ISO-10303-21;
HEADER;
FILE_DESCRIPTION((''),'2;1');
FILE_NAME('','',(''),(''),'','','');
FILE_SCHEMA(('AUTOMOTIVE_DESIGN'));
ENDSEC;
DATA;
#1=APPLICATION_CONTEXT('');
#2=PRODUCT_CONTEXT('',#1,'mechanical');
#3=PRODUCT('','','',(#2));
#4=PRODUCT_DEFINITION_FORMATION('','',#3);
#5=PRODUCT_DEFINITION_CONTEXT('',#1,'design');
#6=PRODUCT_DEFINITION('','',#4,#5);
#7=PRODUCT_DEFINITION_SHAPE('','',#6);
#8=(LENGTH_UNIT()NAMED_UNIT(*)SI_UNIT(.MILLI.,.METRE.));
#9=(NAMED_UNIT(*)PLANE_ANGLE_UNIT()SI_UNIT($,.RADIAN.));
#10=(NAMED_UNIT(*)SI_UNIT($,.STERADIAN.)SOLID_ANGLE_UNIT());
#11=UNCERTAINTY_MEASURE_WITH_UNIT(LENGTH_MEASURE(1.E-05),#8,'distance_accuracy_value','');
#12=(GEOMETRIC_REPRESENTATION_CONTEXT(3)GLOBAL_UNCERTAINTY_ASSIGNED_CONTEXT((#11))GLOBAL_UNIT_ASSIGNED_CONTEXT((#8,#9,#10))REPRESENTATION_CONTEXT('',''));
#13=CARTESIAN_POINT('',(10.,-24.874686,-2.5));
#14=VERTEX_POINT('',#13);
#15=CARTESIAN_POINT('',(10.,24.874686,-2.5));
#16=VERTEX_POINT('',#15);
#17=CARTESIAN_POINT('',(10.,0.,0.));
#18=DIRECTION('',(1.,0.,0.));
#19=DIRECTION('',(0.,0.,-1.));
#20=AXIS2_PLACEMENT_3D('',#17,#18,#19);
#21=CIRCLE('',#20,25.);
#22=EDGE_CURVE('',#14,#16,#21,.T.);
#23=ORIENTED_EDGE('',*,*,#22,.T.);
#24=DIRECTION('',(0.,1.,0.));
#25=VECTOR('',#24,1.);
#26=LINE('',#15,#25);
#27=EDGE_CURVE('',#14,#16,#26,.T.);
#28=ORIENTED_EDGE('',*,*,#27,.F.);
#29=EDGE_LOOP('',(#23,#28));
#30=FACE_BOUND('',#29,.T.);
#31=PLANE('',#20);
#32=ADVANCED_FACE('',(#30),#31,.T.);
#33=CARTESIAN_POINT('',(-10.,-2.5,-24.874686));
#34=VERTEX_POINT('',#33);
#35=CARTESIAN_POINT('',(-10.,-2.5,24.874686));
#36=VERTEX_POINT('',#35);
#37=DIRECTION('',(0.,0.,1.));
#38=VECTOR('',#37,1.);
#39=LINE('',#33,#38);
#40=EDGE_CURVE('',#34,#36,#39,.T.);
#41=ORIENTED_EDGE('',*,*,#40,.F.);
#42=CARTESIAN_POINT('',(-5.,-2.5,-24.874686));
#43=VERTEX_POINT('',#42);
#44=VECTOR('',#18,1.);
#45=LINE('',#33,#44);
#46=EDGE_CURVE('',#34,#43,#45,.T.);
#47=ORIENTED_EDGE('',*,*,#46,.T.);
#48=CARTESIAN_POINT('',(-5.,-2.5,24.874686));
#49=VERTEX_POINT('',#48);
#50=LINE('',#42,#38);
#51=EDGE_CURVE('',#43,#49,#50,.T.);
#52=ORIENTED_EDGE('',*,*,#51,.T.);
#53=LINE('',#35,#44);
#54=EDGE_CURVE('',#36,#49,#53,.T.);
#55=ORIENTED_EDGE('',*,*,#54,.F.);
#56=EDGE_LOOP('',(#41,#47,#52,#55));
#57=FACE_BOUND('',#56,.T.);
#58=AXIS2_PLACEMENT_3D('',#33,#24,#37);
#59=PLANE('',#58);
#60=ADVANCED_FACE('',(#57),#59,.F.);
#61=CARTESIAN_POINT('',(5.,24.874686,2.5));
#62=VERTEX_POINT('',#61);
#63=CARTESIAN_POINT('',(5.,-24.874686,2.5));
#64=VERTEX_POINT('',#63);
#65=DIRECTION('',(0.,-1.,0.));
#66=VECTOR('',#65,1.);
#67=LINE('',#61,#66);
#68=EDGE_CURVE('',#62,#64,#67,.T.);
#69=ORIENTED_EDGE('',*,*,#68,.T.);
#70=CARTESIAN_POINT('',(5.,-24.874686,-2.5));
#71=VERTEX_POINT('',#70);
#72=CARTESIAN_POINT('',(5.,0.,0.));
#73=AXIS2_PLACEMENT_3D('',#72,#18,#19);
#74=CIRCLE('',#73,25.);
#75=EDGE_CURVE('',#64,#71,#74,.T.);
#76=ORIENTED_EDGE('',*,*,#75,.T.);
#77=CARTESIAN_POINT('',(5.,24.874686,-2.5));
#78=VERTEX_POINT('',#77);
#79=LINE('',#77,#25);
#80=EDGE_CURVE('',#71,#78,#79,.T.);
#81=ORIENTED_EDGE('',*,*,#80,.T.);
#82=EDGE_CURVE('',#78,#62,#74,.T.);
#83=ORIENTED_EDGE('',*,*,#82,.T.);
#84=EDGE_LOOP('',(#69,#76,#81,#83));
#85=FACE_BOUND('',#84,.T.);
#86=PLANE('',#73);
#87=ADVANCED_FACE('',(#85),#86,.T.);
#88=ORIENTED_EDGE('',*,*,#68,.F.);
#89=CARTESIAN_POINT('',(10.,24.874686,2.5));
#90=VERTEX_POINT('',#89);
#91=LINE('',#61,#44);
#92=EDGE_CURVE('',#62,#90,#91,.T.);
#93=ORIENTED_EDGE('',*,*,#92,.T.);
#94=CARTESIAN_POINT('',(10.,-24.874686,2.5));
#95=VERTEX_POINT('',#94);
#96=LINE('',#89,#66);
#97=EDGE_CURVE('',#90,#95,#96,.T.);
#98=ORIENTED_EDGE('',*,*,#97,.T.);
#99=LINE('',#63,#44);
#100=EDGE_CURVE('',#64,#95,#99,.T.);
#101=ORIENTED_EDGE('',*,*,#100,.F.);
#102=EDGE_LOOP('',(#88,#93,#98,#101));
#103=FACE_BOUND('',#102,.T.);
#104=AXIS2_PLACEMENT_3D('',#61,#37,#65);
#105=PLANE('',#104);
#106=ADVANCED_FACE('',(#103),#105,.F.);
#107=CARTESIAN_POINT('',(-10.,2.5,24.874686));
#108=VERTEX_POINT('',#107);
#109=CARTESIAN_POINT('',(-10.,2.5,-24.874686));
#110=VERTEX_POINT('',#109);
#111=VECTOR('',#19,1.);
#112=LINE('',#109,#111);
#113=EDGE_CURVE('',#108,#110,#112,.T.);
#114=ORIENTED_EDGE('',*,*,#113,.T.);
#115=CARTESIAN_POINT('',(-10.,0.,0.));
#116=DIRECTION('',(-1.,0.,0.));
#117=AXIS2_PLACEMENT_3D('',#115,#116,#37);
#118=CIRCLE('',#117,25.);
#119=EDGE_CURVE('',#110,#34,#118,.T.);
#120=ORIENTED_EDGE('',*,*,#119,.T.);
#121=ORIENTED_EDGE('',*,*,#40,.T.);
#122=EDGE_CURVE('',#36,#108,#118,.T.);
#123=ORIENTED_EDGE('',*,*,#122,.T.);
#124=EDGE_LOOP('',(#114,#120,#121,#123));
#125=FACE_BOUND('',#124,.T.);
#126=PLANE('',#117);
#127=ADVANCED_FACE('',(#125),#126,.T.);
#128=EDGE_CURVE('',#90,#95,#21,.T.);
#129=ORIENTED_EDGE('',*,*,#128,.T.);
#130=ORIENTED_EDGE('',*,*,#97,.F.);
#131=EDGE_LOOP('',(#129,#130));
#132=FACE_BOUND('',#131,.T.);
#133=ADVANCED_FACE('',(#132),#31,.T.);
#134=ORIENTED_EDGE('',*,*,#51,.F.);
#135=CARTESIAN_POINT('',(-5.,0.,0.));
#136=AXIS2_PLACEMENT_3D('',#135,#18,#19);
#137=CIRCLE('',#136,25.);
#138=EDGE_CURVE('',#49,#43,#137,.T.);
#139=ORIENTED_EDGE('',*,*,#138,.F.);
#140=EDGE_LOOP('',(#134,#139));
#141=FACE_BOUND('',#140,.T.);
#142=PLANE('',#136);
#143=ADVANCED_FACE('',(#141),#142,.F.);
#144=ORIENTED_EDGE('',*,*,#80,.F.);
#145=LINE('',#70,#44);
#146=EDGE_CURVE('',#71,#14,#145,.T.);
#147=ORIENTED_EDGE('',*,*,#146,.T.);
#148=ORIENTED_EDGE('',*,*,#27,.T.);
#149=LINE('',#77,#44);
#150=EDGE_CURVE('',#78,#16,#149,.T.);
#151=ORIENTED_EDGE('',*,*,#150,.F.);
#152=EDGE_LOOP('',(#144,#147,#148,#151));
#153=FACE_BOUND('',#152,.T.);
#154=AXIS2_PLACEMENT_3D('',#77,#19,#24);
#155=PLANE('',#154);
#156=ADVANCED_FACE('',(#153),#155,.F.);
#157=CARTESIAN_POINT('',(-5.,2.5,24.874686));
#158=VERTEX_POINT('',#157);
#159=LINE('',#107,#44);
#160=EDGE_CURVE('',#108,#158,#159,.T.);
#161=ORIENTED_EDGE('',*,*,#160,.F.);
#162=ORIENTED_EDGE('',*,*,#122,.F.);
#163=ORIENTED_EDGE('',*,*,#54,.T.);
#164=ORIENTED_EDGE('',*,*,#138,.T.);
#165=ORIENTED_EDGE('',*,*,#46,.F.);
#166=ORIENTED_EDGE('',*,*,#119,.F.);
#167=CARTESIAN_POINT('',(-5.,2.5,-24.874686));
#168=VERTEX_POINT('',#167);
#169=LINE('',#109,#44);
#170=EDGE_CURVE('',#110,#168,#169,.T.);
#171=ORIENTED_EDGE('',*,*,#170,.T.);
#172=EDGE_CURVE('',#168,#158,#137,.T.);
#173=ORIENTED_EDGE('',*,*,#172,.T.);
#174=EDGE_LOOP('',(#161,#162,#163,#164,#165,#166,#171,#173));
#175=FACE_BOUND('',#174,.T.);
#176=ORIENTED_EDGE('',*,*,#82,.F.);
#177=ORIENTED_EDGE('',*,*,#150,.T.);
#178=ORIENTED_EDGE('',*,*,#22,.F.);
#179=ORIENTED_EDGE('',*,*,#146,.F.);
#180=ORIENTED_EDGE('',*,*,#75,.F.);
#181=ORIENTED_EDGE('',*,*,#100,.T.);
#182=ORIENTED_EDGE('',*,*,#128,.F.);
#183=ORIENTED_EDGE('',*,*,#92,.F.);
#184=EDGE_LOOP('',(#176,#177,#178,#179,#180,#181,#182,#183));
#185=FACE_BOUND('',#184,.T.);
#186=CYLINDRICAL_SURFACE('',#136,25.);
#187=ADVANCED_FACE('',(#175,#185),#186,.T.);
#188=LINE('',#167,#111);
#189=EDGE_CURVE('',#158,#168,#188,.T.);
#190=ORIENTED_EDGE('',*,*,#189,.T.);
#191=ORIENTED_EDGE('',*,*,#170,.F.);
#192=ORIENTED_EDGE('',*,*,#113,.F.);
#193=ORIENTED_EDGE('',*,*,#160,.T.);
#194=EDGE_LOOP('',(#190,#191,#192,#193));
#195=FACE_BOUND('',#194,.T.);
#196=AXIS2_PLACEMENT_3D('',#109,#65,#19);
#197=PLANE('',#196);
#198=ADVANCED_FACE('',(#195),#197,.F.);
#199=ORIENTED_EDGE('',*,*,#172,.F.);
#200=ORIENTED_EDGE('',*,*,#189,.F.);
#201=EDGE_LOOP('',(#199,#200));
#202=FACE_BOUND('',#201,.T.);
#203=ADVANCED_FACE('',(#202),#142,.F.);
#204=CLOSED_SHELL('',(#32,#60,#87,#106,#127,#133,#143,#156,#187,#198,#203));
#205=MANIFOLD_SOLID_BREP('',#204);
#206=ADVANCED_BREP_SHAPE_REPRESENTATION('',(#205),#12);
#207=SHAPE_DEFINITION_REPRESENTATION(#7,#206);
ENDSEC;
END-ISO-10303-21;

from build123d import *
from build123d.topology import SkipClean

# Parameters (mm, degrees)
BOSS_EXTRUDE1_DEPTH      = 10
BOSS_EXTRUDE1_DEPTH_BACK = 5
SKETCH1_R                = 25
CUT_EXTRUDE1_DEPTH       = 5
BOSS_EXTRUDE2_DEPTH      = 5


with BuildPart() as part:
    # Sketch1 → Boss-Extrude1 (new, two sides: drawn at the far end of the back side and taken through both)
    with BuildSketch(Plane(origin=(0, 0, 0), x_dir=(0, 0, -1), z_dir=(1, 0, 0)).offset(-BOSS_EXTRUDE1_DEPTH_BACK)):
        Circle(SKETCH1_R)
    extrude(amount=BOSS_EXTRUDE1_DEPTH + BOSS_EXTRUDE1_DEPTH_BACK)

    # Sketch2 → Cut-Extrude1 (cut)
    with BuildSketch(Plane(origin=(10, 0, 0), x_dir=(0, 0, -1), z_dir=(1, 0, 0))):
        with BuildLine():
            Line((2.5, 24.874685928), (2.5, -24.874685928))
            ThreePointArc((2.5, -24.874685928), (0, -25), (-2.5, -24.874685928))
            Line((-2.5, -24.874685928), (-2.5, 24.874685928))
            ThreePointArc((-2.5, 24.874685928), (0, 25), (2.5, 24.874685928))
        make_face()
    extrude(amount=-CUT_EXTRUDE1_DEPTH, mode=Mode.SUBTRACT)

    # Sketch4 → Boss-Extrude2 (add)
    with SkipClean():  # the faces are left unmerged after this step: merging them gives an invalid solid
        with BuildSketch(Plane.ZY.offset(5)):
            with BuildLine():
                Line((-24.874685928, -2.5), (24.874685928, -2.5))
                ThreePointArc((24.874685928, -2.5), (25, 0), (24.874685928, 2.5))
                Line((24.874685928, 2.5), (-24.874685928, 2.5))
                ThreePointArc((-24.874685928, 2.5), (-25, 0), (-24.874685928, -2.5))
            make_face()
        extrude(amount=BOSS_EXTRUDE2_DEPTH)


solid = part.part
